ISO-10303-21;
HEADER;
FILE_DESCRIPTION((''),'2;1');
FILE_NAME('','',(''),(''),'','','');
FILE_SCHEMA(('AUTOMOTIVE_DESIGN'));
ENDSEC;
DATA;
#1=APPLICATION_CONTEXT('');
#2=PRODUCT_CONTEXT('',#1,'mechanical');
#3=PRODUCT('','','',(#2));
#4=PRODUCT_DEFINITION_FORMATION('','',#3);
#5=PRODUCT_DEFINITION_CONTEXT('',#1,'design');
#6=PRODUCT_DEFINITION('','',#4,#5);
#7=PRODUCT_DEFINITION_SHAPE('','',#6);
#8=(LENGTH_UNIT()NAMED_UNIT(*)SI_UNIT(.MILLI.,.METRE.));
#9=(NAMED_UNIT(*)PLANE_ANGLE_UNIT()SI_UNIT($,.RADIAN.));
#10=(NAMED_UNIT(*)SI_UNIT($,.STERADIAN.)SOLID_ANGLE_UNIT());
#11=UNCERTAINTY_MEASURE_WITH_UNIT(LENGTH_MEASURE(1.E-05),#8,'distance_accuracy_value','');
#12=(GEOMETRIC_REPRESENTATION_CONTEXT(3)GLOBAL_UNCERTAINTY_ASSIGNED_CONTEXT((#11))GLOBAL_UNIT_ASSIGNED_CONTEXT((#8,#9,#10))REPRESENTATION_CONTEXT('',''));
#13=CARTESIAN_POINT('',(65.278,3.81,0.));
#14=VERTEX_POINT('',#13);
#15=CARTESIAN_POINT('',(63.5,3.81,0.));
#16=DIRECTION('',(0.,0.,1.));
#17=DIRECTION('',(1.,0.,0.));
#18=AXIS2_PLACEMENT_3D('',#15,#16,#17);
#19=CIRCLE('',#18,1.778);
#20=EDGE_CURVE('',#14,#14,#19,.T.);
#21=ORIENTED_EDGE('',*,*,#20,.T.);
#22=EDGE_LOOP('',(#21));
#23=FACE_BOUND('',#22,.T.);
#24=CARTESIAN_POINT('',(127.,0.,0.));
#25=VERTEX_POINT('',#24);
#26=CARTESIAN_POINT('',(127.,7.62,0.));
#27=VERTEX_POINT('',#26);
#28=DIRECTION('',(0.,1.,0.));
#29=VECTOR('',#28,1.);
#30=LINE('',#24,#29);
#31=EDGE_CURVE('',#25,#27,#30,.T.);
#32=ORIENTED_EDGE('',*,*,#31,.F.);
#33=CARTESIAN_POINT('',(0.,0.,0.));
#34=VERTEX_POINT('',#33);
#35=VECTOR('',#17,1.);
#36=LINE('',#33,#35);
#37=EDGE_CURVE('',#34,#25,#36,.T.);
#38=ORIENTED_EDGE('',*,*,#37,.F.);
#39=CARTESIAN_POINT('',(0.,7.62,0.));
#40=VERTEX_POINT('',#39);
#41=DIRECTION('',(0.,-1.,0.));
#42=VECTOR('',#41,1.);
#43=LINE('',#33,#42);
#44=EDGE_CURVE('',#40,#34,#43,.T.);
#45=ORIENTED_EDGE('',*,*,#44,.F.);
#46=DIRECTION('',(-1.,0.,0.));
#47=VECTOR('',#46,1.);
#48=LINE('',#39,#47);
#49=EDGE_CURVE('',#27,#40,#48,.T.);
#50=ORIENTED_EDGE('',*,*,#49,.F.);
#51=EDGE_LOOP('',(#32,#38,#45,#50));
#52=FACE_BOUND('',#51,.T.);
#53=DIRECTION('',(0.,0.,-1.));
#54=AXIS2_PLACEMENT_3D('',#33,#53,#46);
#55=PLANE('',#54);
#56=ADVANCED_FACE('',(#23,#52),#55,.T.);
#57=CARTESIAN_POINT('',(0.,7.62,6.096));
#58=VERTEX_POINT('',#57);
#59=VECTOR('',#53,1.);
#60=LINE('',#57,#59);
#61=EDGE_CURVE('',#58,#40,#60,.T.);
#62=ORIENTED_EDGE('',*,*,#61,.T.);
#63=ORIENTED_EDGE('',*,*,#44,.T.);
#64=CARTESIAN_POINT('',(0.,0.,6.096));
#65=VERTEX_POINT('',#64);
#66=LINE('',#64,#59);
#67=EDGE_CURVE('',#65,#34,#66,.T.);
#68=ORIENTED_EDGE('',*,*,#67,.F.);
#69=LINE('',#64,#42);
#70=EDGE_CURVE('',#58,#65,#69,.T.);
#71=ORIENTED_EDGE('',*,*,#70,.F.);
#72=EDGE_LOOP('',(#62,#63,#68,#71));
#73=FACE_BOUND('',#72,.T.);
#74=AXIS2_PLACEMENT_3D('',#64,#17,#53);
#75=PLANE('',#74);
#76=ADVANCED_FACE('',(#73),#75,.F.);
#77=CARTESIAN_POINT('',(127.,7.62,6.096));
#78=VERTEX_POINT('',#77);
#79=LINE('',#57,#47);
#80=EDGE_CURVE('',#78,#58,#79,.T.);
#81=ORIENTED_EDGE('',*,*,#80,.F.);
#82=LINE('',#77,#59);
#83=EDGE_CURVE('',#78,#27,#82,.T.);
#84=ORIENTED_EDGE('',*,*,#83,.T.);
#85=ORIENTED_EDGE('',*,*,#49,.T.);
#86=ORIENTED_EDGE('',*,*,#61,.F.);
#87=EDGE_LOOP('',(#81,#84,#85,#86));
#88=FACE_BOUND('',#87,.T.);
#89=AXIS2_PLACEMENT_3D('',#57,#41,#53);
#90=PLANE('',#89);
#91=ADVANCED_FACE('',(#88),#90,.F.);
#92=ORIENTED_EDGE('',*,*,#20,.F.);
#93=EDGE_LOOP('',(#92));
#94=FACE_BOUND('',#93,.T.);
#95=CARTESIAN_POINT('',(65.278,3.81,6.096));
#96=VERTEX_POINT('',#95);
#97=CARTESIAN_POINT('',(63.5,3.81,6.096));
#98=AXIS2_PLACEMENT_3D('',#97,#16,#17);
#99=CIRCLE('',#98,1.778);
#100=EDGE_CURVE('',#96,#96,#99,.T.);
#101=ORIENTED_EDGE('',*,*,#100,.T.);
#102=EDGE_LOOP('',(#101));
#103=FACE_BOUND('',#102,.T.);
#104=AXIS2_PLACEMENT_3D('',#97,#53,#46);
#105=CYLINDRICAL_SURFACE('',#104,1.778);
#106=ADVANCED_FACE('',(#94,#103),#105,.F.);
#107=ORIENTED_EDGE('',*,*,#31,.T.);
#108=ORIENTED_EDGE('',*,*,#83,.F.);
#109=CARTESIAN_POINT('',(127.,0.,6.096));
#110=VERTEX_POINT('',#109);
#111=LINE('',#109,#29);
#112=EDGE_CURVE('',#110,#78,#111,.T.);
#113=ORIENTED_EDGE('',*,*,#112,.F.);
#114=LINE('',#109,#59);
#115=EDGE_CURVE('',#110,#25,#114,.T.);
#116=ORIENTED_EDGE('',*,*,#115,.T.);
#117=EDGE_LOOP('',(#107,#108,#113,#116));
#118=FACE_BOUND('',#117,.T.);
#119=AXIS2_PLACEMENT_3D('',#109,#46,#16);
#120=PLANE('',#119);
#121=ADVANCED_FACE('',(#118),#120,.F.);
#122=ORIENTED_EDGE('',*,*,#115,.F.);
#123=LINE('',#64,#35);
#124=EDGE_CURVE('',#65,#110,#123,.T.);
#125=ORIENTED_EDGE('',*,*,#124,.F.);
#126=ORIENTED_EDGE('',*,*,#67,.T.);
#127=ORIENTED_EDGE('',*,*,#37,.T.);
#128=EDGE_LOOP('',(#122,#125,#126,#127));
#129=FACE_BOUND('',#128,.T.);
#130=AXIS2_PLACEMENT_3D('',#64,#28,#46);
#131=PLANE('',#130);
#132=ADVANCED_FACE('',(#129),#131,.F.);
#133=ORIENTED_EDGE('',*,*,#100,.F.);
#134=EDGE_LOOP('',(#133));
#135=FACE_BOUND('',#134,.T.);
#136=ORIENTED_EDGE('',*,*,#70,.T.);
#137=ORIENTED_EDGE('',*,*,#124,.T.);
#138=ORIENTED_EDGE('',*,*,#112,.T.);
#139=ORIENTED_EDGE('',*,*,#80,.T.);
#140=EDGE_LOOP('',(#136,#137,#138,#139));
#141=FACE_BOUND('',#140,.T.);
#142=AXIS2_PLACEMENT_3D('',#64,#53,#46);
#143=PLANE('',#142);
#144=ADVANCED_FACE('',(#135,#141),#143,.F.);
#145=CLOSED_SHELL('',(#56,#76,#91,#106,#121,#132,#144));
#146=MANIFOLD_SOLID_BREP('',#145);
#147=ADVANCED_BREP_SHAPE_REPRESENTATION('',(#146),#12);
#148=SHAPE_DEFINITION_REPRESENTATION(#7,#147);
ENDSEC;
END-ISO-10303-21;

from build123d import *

# Parameters (mm, degrees)
SKETCH1_W           = 127
SKETCH1_H           = 7.62
SKETCH1_R           = 1.778
BOSS_EXTRUDE1_DEPTH = 6.096


with BuildPart() as part:
    # Sketch1 → Boss-Extrude1 (new body)
    with BuildSketch(Plane.XY):
        with Locations((63.5, 3.81)):
            Rectangle(SKETCH1_W, SKETCH1_H)
        with Locations((63.5, 3.81)):
            Circle(SKETCH1_R, mode=Mode.SUBTRACT)
    extrude(amount=BOSS_EXTRUDE1_DEPTH)


solid = part.part
